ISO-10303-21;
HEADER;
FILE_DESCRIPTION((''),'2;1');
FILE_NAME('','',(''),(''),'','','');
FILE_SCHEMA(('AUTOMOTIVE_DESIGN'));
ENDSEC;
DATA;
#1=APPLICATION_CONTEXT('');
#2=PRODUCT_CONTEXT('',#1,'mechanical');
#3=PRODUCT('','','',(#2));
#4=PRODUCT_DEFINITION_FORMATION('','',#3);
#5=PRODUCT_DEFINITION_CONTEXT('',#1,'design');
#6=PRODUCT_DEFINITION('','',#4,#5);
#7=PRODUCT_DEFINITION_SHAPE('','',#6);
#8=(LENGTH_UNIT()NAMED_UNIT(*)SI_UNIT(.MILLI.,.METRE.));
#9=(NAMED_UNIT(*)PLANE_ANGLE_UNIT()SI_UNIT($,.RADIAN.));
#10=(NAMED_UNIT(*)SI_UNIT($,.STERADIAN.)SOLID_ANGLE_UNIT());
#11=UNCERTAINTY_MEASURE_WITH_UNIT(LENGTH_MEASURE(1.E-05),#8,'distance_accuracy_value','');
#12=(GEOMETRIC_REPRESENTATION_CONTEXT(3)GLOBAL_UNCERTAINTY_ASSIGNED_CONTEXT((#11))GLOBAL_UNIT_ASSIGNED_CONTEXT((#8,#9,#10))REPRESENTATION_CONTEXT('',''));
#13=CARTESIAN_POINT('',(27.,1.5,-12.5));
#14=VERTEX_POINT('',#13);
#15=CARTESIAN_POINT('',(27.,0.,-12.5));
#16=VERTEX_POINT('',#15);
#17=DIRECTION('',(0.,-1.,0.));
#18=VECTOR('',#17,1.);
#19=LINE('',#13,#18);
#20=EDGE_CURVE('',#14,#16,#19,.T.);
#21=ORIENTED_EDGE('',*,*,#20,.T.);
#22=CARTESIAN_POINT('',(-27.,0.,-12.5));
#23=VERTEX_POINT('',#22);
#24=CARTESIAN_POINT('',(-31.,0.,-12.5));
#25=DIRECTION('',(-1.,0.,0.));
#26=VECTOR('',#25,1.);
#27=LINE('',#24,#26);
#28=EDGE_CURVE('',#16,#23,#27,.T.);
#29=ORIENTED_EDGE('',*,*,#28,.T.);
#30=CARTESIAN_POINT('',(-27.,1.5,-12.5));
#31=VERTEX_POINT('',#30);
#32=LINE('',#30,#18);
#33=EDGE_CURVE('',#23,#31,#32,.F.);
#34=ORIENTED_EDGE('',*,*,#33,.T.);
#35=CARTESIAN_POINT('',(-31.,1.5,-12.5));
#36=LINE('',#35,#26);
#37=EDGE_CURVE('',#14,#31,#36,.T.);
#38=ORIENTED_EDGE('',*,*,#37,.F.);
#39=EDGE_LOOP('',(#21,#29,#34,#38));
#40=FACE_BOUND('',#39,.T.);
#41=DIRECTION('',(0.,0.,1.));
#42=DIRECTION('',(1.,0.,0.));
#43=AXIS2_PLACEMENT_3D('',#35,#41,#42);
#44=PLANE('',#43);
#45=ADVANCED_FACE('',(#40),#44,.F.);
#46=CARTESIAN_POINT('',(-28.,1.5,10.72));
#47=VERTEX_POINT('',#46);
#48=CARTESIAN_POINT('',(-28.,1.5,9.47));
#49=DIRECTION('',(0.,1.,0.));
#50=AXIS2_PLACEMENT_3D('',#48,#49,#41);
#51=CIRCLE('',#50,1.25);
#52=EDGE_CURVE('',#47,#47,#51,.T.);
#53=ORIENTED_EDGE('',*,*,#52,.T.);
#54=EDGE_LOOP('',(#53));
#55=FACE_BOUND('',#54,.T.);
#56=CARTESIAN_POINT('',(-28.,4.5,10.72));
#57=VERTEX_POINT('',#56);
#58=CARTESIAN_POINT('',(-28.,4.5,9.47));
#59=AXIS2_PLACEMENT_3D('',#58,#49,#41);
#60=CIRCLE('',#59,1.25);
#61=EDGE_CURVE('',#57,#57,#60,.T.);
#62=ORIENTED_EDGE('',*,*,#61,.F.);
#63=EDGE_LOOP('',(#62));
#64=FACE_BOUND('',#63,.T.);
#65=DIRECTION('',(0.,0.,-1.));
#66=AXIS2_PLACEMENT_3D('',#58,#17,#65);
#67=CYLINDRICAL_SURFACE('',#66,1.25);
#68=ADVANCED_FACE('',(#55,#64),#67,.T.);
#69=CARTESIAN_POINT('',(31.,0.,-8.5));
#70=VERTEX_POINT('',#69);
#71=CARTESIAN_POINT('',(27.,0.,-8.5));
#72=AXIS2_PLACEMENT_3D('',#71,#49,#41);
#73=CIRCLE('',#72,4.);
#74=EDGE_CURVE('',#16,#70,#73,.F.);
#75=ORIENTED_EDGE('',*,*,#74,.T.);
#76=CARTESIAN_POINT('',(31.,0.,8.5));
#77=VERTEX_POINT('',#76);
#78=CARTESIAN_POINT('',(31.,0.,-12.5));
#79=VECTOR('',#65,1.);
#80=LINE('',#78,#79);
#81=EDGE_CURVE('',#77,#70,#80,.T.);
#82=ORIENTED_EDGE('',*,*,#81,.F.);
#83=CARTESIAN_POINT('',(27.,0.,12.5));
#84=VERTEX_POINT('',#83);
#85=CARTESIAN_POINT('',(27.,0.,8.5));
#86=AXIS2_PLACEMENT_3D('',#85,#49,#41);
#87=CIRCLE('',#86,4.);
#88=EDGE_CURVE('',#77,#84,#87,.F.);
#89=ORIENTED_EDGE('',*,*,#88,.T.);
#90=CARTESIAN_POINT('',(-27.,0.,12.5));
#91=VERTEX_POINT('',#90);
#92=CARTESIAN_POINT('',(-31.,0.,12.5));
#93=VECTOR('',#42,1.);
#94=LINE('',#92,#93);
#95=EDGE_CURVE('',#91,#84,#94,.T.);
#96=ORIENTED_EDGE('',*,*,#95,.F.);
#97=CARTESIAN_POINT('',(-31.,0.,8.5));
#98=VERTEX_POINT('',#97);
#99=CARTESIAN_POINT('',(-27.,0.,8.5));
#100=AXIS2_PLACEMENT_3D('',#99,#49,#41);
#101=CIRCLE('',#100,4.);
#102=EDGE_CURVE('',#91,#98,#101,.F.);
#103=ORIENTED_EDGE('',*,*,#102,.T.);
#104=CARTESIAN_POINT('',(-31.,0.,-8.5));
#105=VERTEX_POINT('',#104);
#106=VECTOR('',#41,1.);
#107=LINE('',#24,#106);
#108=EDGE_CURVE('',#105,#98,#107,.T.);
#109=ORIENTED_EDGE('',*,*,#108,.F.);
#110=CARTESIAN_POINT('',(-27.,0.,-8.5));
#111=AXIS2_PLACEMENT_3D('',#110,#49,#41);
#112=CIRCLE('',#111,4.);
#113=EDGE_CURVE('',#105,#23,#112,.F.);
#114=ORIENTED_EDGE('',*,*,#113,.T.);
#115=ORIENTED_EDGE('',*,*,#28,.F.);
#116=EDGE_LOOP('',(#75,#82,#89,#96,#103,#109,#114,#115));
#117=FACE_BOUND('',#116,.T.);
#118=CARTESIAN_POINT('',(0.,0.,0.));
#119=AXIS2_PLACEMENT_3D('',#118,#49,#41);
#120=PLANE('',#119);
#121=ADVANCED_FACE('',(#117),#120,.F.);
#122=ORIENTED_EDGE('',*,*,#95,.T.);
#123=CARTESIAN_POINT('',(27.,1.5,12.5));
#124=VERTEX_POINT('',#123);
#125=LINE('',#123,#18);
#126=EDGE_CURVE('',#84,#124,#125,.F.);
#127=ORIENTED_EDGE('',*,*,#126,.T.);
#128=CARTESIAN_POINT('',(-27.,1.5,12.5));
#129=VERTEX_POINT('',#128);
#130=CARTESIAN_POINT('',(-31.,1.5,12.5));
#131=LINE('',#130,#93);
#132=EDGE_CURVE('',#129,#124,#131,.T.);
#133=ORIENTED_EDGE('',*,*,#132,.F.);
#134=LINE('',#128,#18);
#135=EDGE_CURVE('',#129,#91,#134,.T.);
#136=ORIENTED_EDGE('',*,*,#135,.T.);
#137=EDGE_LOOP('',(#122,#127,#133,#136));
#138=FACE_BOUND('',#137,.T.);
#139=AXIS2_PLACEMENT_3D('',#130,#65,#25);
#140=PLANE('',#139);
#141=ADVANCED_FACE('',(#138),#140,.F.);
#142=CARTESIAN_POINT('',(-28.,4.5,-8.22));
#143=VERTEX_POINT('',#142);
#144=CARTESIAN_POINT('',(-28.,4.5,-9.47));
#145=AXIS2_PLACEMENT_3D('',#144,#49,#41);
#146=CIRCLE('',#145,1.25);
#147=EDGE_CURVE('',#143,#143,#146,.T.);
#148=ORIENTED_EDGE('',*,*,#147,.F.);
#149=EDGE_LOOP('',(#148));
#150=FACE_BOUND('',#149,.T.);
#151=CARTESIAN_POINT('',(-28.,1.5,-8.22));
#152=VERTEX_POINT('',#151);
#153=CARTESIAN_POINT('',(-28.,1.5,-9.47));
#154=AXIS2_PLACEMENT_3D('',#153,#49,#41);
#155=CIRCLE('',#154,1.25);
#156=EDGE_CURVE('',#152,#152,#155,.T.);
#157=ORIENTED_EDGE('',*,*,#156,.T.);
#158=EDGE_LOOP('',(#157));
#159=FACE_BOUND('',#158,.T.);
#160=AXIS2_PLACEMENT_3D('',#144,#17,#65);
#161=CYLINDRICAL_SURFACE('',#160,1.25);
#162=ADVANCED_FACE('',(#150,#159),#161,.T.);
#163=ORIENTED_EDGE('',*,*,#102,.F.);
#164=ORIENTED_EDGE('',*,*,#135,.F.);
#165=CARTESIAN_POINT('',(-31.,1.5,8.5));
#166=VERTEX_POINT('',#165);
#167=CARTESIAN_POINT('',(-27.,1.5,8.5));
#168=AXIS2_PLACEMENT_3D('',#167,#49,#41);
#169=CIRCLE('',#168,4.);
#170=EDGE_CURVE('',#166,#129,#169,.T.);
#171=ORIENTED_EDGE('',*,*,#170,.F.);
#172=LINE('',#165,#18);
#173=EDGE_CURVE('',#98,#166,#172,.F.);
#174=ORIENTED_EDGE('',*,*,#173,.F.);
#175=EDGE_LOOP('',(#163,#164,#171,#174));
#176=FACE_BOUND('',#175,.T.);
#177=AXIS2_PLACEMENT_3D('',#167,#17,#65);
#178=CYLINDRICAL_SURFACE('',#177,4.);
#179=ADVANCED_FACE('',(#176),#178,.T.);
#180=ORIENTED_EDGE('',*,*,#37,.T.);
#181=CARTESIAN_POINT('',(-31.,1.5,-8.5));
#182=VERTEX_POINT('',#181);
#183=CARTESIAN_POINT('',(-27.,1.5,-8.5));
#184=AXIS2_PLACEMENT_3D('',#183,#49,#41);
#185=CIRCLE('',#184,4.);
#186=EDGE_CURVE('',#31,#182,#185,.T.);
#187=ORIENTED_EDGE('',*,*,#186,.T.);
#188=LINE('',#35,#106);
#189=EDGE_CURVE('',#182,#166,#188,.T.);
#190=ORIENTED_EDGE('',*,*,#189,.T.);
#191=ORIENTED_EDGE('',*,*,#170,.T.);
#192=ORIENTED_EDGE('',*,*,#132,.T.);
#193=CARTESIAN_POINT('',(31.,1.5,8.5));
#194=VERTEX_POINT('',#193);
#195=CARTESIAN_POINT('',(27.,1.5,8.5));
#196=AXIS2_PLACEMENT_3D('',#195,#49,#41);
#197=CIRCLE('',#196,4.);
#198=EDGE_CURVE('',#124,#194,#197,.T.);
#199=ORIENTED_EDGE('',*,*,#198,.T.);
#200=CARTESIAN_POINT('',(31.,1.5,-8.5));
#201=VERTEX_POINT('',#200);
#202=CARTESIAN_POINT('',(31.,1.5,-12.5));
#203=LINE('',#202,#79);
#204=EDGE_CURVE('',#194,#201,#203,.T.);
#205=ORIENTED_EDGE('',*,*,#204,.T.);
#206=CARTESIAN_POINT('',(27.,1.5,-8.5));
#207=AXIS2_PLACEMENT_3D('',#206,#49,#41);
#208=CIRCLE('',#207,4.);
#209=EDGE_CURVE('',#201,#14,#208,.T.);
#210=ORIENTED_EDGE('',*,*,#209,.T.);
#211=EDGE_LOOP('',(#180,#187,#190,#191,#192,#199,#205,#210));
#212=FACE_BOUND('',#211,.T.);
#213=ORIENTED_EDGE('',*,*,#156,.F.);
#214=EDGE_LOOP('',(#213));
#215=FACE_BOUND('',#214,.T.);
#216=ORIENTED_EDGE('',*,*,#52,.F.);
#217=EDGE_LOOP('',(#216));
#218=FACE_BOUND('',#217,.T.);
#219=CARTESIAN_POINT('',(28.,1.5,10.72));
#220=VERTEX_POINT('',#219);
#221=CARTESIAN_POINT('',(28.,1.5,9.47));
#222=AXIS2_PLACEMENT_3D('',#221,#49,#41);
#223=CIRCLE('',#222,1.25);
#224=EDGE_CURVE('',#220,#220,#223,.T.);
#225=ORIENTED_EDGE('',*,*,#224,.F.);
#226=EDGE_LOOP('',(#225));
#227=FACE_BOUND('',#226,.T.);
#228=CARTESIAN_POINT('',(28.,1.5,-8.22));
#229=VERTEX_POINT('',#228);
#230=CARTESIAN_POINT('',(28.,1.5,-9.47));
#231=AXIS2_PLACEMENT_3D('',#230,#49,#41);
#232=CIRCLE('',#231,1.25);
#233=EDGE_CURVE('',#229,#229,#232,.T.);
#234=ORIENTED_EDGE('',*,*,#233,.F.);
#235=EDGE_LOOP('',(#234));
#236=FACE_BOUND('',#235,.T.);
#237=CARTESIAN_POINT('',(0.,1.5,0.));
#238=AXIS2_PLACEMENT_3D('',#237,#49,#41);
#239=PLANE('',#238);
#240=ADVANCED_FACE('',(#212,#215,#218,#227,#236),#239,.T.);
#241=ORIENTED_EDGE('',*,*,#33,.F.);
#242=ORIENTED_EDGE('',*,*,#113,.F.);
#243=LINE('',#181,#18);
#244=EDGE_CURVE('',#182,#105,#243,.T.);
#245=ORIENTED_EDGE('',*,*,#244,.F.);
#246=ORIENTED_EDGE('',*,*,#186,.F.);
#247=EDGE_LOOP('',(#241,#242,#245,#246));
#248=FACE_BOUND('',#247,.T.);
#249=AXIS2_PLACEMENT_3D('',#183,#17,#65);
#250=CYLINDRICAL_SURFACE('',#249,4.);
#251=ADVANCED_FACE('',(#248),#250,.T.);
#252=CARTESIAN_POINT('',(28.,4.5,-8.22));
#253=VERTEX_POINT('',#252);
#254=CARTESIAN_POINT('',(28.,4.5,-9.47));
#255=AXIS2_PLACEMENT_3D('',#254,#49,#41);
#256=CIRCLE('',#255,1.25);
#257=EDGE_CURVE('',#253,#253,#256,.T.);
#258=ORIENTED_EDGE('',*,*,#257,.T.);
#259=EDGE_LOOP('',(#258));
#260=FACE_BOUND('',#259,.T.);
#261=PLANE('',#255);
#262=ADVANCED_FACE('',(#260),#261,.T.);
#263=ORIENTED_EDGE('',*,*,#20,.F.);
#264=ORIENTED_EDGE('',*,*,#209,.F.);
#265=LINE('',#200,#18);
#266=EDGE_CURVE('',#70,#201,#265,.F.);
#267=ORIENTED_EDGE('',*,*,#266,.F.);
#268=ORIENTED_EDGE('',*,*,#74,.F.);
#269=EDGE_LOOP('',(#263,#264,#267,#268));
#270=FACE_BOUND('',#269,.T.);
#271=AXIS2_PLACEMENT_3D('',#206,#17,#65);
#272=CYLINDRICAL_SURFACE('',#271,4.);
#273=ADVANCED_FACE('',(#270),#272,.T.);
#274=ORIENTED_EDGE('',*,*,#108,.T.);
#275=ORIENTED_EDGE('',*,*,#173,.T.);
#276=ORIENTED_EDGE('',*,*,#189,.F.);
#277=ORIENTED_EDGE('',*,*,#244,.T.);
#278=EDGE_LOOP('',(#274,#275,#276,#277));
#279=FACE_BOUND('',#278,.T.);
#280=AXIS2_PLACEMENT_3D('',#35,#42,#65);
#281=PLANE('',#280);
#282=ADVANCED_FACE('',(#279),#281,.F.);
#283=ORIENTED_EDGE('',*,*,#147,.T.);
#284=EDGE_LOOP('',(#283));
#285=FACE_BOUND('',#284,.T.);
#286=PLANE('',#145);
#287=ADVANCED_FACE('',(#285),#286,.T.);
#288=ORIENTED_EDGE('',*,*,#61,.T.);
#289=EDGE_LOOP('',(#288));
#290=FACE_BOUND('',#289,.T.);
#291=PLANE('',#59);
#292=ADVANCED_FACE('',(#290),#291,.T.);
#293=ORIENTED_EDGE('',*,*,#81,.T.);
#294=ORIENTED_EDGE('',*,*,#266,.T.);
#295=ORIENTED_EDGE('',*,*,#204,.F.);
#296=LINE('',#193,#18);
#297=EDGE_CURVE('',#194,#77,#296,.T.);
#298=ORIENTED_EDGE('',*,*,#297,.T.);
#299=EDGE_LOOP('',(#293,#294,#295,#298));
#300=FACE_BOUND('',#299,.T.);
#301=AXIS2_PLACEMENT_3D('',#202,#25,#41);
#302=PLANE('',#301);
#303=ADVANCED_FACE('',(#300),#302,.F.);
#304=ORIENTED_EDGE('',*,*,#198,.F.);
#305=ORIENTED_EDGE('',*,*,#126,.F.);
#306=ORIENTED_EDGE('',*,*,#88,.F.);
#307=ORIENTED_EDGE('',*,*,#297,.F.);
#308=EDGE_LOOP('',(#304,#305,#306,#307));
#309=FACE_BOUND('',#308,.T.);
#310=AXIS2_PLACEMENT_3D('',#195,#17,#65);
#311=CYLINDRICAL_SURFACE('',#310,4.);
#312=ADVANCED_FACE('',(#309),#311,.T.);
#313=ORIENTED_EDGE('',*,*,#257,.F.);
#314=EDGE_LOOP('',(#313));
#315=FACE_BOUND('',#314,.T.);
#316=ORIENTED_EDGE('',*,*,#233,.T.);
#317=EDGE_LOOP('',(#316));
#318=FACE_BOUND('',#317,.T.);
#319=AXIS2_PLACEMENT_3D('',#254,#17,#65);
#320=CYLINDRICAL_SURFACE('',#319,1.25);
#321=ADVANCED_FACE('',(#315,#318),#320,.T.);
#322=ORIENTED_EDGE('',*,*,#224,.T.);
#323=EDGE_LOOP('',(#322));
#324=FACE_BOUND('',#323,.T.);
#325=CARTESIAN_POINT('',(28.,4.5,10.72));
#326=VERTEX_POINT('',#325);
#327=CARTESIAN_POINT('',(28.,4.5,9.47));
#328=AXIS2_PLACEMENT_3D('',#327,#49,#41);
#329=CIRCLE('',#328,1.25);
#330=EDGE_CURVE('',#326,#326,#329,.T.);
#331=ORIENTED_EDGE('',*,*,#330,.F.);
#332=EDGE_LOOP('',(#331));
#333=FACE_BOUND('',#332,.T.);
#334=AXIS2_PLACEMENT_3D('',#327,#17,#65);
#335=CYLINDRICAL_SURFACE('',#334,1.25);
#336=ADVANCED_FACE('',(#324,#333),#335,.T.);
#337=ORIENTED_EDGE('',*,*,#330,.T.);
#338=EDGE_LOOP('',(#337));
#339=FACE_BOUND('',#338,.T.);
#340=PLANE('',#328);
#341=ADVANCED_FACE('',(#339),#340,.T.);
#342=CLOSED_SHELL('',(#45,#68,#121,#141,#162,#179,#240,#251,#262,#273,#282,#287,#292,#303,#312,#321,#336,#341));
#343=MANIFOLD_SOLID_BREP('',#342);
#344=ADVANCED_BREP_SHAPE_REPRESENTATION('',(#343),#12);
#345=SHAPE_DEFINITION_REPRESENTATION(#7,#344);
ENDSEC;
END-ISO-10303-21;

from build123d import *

# Parameters (mm, degrees)
CROQUIS1_W              = 62
CROQUIS1_H              = 25
SALIENTE_EXTRUIR1_DEPTH = 1.5
REDONDEO1_R             = 4
CROQUIS2_R              = 1.25
SALIENTE_EXTRUIR2_DEPTH = 3


with BuildPart() as part:
    # Croquis1 → Saliente-Extruir1 (new body)
    with BuildSketch(Plane(origin=(0, 0, 0), x_dir=(1, 0, 0), z_dir=(0, 1, 0))):
        Rectangle(CROQUIS1_W, CROQUIS1_H)
    extrude(amount=SALIENTE_EXTRUIR1_DEPTH)

    # Redondeo1
    redondeo1_edges = [part.edges().sort_by_distance(p)[0] for p in [
        (31, 0.75, 12.5),
        (-31, 0.75, 12.5),
        (-31, 0.75, -12.5),
        (31, 0.75, -12.5),
    ]]
    fillet(redondeo1_edges, radius=REDONDEO1_R)

    # Croquis2 → Saliente-Extruir2 (add)
    with BuildSketch(Plane(origin=(0, 1.5, 0), x_dir=(1, 0, 0), z_dir=(0, 1, 0))):
        with Locations((-28, 9.47)):
            Circle(CROQUIS2_R)
        with Locations((28, 9.47)):
            Circle(CROQUIS2_R)
        with Locations((28, -9.47)):
            Circle(CROQUIS2_R)
        with Locations((-28, -9.47)):
            Circle(CROQUIS2_R)
    extrude(amount=SALIENTE_EXTRUIR2_DEPTH)


solid = part.part
